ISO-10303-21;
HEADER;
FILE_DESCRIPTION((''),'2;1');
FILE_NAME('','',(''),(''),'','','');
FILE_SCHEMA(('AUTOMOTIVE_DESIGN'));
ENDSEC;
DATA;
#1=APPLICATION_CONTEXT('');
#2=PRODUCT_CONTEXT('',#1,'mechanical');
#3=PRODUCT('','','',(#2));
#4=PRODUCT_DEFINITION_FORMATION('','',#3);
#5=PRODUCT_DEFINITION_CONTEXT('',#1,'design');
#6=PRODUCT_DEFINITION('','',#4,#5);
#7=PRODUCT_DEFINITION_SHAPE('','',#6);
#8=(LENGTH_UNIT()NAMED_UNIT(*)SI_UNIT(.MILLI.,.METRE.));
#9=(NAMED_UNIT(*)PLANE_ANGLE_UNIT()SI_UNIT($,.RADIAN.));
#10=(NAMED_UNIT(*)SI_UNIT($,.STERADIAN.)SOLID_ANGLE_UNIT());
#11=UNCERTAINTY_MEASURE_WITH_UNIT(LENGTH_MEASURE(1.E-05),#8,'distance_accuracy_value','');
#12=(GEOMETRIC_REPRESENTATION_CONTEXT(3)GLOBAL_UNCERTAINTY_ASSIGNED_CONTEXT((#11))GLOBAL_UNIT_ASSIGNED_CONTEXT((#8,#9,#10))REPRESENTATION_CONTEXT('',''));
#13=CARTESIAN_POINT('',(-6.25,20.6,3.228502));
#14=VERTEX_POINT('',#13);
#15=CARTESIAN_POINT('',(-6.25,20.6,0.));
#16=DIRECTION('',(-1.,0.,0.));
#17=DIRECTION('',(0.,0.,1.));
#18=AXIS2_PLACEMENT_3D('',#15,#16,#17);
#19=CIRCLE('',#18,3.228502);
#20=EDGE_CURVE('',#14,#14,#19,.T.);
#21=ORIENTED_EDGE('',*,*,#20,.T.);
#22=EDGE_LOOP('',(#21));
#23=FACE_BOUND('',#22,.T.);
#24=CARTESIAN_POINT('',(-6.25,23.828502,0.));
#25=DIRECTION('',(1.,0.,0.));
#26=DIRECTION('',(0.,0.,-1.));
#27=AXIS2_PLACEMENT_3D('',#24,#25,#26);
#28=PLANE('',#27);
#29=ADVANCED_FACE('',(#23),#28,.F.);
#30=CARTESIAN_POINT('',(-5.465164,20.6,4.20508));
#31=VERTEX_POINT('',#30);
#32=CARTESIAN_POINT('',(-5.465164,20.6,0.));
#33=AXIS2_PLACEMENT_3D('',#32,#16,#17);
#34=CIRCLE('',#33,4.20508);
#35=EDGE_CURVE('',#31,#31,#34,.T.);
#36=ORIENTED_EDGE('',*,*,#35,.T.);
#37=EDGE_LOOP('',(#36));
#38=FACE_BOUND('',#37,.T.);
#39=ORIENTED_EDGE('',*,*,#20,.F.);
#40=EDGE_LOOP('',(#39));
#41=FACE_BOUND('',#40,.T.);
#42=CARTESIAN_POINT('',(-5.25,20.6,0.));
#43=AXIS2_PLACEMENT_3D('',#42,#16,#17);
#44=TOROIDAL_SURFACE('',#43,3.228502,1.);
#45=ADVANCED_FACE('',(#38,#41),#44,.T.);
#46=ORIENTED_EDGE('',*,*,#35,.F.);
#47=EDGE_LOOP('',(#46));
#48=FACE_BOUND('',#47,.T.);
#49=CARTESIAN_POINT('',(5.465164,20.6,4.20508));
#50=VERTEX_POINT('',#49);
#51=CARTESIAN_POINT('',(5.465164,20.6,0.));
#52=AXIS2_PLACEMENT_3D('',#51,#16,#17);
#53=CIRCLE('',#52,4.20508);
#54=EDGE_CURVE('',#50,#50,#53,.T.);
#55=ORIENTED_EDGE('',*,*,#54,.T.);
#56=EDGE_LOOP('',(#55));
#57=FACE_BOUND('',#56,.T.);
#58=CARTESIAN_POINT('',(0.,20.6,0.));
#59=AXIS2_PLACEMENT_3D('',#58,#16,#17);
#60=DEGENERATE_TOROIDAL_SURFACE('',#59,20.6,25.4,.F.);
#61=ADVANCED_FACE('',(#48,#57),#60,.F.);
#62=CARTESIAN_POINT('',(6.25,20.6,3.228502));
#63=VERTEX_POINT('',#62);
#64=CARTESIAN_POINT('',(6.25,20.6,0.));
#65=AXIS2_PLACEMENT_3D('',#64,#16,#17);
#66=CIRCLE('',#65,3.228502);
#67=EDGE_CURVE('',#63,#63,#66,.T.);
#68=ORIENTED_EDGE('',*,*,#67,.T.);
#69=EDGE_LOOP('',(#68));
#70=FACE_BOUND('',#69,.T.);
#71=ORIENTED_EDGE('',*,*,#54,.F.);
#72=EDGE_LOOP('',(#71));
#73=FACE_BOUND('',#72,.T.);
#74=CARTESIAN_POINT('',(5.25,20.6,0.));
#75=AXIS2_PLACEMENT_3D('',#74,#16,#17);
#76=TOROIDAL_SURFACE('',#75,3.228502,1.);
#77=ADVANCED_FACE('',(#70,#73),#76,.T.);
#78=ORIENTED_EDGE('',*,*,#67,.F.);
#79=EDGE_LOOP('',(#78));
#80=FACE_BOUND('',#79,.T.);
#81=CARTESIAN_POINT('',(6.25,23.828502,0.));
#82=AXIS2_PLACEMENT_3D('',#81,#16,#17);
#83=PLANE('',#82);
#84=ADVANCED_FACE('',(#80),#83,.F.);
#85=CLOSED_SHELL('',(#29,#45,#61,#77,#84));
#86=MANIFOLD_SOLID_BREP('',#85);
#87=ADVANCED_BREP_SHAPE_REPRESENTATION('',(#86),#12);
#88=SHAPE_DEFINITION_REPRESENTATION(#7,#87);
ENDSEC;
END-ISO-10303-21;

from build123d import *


with BuildPart() as part:
    # Sketch1 → Revolve1 (revolve)
    with BuildSketch(Plane.XY, mode=Mode.PRIVATE) as revolve1_sk:
        with BuildLine():
            Line((-6.25, 23.828501841), (-6.25, 20.6))
            Line((-6.25, 20.6), (6.25, 20.6))
            Line((6.25, 20.6), (6.25, 23.828501841))
            ThreePointArc((6.25, 23.828501841), (6.029475444, 24.454934625), (5.465163934, 24.805079786))
            ThreePointArc((5.465163934, 24.805079786), (0, 25.4), (-5.465163934, 24.805079786))
            ThreePointArc((-5.465163934, 24.805079786), (-6.029475444, 24.454934625), (-6.25, 23.828501841))
        make_face()
    revolve(revolve1_sk.sketch.rotate(Axis((-6.25, 20.6, 0), (1, 0, 0)), 90), axis=Axis((-6.25, 20.6, 0), (1, 0, 0)))


solid = part.part
